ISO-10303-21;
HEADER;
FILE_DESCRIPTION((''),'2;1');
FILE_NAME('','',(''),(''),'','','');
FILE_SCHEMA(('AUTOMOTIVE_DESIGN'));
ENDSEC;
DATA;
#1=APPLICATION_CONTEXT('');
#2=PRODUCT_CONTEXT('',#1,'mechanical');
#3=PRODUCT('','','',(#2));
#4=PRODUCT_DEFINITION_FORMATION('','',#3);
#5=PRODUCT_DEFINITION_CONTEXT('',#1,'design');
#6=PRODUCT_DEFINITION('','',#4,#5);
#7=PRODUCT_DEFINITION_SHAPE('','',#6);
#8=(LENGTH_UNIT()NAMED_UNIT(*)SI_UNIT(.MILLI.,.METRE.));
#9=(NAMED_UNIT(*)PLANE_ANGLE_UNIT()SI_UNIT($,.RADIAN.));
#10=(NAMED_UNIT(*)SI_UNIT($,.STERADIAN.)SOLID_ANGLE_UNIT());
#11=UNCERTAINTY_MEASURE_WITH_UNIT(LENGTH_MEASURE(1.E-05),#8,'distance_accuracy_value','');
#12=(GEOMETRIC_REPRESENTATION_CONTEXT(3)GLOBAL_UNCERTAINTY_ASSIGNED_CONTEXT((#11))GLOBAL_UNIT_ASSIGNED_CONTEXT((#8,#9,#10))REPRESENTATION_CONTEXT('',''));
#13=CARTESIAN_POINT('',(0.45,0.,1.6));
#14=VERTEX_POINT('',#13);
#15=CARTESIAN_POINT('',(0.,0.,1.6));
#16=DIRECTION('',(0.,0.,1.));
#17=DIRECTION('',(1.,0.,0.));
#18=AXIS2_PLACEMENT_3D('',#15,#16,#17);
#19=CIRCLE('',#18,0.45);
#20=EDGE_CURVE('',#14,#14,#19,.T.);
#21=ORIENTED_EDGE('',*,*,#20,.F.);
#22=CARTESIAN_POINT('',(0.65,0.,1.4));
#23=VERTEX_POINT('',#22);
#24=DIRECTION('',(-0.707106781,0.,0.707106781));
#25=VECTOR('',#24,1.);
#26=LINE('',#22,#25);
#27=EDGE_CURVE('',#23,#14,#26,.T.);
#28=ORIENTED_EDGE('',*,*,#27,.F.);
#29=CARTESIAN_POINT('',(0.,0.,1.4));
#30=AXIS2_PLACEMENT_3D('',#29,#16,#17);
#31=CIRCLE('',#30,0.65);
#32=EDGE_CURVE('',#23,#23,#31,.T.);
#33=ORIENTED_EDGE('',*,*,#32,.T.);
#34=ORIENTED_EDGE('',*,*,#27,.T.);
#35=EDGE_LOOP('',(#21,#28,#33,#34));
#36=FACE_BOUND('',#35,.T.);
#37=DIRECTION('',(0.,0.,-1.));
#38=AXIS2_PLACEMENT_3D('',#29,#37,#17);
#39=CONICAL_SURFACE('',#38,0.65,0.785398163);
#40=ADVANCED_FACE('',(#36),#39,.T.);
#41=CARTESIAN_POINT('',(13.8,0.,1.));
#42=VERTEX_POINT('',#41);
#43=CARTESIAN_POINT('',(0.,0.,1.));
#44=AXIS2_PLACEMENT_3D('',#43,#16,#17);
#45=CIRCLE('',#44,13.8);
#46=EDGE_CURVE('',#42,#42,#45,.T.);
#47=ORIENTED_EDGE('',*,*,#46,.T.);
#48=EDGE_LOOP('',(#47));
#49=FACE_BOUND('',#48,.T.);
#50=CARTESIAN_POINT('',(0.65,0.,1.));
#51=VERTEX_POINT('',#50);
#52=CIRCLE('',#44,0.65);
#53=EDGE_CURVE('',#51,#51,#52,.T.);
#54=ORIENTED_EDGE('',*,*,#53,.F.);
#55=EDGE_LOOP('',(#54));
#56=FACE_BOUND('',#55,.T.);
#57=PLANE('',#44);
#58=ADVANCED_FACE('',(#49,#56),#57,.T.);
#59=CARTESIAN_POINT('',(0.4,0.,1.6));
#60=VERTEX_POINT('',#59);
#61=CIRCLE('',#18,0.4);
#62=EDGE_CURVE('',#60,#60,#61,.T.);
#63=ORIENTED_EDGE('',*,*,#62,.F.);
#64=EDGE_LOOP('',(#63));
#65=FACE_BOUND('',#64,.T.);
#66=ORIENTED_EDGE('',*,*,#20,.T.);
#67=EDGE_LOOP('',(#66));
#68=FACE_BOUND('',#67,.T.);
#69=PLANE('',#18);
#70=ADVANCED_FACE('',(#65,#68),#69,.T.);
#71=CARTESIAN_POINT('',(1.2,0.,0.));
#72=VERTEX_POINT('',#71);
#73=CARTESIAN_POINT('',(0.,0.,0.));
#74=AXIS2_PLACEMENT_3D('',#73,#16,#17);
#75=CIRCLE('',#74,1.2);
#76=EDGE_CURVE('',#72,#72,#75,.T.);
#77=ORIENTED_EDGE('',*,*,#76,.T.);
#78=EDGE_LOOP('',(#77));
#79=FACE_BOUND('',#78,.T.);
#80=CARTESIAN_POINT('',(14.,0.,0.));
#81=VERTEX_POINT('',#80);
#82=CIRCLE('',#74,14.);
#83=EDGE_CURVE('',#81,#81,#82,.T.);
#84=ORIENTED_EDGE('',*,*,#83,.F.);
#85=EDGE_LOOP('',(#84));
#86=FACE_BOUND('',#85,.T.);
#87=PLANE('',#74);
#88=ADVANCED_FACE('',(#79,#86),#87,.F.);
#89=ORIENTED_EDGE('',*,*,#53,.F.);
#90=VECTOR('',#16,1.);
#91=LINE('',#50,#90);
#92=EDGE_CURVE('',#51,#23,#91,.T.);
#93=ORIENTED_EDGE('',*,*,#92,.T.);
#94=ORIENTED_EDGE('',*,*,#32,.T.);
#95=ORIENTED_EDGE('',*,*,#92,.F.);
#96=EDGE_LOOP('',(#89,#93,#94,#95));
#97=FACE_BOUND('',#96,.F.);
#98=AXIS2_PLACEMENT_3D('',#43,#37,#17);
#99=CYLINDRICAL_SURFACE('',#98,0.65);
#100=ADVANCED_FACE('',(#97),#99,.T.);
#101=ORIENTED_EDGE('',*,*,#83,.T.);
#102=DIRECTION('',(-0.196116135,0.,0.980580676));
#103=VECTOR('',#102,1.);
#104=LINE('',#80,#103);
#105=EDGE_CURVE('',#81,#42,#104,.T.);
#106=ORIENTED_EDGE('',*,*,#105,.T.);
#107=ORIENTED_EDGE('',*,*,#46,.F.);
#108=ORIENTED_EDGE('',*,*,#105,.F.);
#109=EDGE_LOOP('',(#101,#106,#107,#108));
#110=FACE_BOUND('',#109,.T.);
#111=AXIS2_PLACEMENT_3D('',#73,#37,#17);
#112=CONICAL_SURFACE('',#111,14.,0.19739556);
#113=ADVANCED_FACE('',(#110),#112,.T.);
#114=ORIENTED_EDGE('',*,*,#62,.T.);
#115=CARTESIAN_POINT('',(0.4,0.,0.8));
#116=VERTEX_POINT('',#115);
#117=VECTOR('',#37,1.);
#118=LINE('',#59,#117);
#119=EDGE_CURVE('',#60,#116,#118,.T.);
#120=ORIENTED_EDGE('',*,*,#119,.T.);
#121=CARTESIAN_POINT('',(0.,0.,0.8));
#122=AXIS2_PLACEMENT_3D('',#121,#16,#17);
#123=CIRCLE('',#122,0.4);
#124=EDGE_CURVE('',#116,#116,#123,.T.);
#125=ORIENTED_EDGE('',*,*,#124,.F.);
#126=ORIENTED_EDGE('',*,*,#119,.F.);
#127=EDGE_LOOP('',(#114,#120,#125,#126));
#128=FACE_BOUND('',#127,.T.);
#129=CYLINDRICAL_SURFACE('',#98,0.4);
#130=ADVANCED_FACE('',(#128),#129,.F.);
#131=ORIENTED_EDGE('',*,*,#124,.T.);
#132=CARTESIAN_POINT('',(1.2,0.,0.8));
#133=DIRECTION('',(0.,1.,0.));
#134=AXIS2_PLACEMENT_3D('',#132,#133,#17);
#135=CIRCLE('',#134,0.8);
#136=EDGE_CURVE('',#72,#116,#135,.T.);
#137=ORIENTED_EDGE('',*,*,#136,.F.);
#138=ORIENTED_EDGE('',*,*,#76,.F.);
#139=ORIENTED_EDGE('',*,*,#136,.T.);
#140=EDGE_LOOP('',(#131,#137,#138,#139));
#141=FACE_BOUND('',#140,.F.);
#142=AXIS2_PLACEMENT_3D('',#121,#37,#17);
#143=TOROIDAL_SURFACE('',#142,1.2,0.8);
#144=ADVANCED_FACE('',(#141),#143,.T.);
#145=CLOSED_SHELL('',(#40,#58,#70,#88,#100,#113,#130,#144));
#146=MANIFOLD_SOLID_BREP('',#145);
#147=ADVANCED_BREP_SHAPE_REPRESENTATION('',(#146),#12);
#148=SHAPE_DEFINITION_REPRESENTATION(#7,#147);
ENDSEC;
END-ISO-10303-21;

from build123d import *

# Parameters (mm, degrees)
CYLINDER002_R     = 0.4
CYLINDER002_DEPTH = 0.6
CYLINDER001_R     = 0.65
CYLINDER001_DEPTH = 0.6
CHAMFER_SIZE      = 0.2
CYLINDER_R        = 0.4
CYLINDER_DEPTH    = 1
FILLET_R          = 0.8


with BuildPart() as cylinder002:
    # Cylinder002 → Cylinder002 (new body)
    with BuildSketch(Plane.XY.offset(1)):
        Circle(CYLINDER002_R)
    extrude(amount=CYLINDER002_DEPTH)


with BuildPart() as chamfer_body:
    # Cylinder001 → Cylinder001 (new body)
    with BuildSketch(Plane.XY.offset(1)):
        Circle(CYLINDER001_R)
    extrude(amount=CYLINDER001_DEPTH)

    # Cut001: cut Cylinder002
    add(cylinder002.part, mode=Mode.SUBTRACT)

    # Chamfer
    chamfer_edges = [chamfer_body.edges().sort_by_distance(p)[0] for p in [
        (-0.65, 0, 1.6),
    ]]
    chamfer(chamfer_edges, length=CHAMFER_SIZE)


with BuildPart() as cylinder:
    # Cylinder → Cylinder (new body)
    with BuildSketch(Plane.XY):
        Circle(CYLINDER_R)
    extrude(amount=CYLINDER_DEPTH)


with BuildPart() as fusion:
    # Cone → Cone (revolve)
    with BuildSketch(Plane.XZ):
        Polygon((0, 0), (14, 0), (13.8, 1), (0, 1), align=None)
    revolve(axis=Axis((0, 0, 0), (0, 0, 1)))

    # Cut: cut Cylinder
    add(cylinder.part, mode=Mode.SUBTRACT)

    # Fillet
    fillet_edges = [fusion.edges().sort_by_distance(p)[0] for p in [
        (-0.4, 0, 0),
    ]]
    fillet(fillet_edges, radius=FILLET_R)

    # Fusion: union Chamfer body
    add(chamfer_body.part)


solid = fusion.part
